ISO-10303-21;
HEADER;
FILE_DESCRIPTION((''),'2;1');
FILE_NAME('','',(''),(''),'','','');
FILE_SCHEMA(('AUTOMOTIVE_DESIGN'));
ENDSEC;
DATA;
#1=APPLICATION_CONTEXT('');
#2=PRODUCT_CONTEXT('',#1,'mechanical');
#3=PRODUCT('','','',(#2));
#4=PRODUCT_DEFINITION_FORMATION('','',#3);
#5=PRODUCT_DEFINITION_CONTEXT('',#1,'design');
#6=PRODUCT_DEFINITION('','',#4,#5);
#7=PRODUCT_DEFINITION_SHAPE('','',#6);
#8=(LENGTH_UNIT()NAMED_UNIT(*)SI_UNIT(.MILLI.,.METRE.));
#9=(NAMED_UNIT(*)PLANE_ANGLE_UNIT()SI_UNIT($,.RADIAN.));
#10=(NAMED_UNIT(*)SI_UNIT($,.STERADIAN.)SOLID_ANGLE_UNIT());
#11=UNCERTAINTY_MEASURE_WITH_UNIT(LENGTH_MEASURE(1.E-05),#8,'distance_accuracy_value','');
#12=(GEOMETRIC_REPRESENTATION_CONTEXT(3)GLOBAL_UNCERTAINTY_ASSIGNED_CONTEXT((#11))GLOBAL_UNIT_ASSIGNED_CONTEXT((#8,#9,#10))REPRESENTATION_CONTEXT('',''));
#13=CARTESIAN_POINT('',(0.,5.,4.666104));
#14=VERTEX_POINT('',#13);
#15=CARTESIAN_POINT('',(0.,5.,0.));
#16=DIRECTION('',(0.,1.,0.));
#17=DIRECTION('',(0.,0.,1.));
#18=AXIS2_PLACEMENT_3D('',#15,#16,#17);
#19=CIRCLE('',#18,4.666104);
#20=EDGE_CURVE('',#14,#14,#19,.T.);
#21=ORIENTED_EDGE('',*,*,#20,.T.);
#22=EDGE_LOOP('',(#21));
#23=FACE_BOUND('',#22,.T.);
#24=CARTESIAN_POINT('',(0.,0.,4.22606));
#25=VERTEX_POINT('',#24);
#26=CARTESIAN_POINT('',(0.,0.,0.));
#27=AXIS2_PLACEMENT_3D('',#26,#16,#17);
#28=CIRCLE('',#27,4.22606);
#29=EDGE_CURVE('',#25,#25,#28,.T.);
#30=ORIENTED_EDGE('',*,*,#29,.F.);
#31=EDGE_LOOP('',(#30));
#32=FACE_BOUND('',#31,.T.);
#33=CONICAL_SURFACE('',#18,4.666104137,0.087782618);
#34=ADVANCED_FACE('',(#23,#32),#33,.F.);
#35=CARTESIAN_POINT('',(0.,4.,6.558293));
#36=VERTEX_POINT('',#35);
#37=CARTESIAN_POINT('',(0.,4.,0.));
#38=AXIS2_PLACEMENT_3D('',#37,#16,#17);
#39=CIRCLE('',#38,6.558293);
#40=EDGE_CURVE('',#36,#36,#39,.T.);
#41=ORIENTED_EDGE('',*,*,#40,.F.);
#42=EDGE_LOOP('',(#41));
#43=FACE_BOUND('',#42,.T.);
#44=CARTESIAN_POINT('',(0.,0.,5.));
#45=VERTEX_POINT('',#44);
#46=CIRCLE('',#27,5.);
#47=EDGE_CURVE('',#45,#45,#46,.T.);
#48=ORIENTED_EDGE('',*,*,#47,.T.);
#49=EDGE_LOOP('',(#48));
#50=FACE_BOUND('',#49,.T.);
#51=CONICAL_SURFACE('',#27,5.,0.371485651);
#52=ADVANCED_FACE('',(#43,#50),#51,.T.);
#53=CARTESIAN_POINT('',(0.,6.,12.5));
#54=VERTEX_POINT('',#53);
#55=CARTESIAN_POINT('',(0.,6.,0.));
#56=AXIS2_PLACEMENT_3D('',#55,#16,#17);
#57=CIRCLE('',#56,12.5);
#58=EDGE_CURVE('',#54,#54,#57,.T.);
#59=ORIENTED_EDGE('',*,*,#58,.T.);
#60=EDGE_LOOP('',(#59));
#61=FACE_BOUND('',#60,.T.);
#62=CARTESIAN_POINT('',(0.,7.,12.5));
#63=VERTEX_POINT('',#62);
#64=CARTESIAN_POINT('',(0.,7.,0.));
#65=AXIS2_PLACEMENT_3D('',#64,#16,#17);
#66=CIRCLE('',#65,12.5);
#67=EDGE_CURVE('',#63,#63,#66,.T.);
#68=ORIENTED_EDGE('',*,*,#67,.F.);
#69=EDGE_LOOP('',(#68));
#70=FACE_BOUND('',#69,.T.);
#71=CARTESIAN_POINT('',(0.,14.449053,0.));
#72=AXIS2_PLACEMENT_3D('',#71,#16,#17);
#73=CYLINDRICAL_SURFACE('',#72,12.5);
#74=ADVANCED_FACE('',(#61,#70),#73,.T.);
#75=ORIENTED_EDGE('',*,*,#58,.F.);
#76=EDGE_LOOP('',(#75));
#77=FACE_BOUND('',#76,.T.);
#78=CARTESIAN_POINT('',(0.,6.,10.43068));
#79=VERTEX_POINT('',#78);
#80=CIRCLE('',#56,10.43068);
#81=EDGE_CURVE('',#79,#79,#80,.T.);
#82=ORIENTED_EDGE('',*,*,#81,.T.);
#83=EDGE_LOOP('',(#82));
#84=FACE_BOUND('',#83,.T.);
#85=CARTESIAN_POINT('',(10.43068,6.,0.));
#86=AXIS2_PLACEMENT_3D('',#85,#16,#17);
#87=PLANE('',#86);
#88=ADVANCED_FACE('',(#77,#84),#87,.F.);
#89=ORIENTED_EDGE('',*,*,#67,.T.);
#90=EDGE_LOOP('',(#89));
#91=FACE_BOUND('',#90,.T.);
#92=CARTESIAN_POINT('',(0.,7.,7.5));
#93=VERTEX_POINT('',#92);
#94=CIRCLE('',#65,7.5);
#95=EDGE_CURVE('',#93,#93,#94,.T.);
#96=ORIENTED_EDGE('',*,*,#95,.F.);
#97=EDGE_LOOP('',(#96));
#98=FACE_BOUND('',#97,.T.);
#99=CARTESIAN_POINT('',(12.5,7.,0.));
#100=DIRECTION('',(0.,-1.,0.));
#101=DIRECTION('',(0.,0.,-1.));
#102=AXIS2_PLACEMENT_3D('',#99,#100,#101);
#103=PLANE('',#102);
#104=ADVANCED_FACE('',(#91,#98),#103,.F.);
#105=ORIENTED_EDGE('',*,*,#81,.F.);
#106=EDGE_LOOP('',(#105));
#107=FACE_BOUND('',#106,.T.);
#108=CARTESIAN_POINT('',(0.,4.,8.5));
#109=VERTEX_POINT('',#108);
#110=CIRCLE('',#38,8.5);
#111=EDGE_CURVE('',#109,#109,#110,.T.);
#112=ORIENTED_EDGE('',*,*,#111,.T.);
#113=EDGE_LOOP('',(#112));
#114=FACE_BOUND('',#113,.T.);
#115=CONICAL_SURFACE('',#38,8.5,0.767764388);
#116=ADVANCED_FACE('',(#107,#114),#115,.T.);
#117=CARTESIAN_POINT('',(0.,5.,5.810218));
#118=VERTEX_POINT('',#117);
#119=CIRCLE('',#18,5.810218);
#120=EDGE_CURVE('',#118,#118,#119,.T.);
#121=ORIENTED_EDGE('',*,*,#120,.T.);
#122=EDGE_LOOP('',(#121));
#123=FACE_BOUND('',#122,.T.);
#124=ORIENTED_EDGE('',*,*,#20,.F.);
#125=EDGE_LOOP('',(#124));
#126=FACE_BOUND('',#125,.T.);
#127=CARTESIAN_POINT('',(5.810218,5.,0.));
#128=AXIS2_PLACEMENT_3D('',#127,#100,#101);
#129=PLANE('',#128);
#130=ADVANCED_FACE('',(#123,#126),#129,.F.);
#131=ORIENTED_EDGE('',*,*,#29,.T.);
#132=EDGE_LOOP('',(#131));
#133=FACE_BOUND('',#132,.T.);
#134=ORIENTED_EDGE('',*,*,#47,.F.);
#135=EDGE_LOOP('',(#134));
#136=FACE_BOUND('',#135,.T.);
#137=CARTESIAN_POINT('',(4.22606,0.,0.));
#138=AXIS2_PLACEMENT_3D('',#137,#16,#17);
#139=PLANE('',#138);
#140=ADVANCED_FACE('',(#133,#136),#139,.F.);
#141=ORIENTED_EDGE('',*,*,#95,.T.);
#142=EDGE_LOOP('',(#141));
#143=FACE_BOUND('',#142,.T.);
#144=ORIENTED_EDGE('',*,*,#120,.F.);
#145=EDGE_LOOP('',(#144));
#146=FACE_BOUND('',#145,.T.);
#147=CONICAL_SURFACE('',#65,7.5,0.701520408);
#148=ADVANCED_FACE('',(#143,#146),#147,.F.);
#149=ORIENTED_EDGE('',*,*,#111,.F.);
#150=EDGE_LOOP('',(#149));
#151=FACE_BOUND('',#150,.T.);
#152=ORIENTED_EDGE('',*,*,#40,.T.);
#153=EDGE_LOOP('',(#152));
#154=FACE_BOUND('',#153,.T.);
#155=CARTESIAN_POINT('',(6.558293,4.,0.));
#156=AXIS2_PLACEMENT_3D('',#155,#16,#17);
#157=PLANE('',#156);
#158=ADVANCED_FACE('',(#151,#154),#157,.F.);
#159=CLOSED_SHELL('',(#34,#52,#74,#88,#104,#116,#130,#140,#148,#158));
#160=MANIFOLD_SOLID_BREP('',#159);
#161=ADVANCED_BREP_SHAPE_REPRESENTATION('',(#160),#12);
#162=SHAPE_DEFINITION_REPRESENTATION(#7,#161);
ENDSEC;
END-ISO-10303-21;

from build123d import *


with BuildPart() as part:
    # Sketch2 → Revolve1 (revolve)
    with BuildSketch(Plane.XY, mode=Mode.PRIVATE) as revolve1_sk:
        Polygon((4.226060171, 0), (5, 0), (6.558293189, 4), (8.5, 4), (10.430680086, 6), (12.5, 6), (12.5, 7), (7.5, 7), (5.810218447, 5), (4.666104137, 5), align=None)
    revolve(revolve1_sk.sketch.rotate(Axis((0, 14.449053436, 0), (0, -1, 0)), 90), axis=Axis((0, 14.449053436, 0), (0, -1, 0)))


solid = part.part
